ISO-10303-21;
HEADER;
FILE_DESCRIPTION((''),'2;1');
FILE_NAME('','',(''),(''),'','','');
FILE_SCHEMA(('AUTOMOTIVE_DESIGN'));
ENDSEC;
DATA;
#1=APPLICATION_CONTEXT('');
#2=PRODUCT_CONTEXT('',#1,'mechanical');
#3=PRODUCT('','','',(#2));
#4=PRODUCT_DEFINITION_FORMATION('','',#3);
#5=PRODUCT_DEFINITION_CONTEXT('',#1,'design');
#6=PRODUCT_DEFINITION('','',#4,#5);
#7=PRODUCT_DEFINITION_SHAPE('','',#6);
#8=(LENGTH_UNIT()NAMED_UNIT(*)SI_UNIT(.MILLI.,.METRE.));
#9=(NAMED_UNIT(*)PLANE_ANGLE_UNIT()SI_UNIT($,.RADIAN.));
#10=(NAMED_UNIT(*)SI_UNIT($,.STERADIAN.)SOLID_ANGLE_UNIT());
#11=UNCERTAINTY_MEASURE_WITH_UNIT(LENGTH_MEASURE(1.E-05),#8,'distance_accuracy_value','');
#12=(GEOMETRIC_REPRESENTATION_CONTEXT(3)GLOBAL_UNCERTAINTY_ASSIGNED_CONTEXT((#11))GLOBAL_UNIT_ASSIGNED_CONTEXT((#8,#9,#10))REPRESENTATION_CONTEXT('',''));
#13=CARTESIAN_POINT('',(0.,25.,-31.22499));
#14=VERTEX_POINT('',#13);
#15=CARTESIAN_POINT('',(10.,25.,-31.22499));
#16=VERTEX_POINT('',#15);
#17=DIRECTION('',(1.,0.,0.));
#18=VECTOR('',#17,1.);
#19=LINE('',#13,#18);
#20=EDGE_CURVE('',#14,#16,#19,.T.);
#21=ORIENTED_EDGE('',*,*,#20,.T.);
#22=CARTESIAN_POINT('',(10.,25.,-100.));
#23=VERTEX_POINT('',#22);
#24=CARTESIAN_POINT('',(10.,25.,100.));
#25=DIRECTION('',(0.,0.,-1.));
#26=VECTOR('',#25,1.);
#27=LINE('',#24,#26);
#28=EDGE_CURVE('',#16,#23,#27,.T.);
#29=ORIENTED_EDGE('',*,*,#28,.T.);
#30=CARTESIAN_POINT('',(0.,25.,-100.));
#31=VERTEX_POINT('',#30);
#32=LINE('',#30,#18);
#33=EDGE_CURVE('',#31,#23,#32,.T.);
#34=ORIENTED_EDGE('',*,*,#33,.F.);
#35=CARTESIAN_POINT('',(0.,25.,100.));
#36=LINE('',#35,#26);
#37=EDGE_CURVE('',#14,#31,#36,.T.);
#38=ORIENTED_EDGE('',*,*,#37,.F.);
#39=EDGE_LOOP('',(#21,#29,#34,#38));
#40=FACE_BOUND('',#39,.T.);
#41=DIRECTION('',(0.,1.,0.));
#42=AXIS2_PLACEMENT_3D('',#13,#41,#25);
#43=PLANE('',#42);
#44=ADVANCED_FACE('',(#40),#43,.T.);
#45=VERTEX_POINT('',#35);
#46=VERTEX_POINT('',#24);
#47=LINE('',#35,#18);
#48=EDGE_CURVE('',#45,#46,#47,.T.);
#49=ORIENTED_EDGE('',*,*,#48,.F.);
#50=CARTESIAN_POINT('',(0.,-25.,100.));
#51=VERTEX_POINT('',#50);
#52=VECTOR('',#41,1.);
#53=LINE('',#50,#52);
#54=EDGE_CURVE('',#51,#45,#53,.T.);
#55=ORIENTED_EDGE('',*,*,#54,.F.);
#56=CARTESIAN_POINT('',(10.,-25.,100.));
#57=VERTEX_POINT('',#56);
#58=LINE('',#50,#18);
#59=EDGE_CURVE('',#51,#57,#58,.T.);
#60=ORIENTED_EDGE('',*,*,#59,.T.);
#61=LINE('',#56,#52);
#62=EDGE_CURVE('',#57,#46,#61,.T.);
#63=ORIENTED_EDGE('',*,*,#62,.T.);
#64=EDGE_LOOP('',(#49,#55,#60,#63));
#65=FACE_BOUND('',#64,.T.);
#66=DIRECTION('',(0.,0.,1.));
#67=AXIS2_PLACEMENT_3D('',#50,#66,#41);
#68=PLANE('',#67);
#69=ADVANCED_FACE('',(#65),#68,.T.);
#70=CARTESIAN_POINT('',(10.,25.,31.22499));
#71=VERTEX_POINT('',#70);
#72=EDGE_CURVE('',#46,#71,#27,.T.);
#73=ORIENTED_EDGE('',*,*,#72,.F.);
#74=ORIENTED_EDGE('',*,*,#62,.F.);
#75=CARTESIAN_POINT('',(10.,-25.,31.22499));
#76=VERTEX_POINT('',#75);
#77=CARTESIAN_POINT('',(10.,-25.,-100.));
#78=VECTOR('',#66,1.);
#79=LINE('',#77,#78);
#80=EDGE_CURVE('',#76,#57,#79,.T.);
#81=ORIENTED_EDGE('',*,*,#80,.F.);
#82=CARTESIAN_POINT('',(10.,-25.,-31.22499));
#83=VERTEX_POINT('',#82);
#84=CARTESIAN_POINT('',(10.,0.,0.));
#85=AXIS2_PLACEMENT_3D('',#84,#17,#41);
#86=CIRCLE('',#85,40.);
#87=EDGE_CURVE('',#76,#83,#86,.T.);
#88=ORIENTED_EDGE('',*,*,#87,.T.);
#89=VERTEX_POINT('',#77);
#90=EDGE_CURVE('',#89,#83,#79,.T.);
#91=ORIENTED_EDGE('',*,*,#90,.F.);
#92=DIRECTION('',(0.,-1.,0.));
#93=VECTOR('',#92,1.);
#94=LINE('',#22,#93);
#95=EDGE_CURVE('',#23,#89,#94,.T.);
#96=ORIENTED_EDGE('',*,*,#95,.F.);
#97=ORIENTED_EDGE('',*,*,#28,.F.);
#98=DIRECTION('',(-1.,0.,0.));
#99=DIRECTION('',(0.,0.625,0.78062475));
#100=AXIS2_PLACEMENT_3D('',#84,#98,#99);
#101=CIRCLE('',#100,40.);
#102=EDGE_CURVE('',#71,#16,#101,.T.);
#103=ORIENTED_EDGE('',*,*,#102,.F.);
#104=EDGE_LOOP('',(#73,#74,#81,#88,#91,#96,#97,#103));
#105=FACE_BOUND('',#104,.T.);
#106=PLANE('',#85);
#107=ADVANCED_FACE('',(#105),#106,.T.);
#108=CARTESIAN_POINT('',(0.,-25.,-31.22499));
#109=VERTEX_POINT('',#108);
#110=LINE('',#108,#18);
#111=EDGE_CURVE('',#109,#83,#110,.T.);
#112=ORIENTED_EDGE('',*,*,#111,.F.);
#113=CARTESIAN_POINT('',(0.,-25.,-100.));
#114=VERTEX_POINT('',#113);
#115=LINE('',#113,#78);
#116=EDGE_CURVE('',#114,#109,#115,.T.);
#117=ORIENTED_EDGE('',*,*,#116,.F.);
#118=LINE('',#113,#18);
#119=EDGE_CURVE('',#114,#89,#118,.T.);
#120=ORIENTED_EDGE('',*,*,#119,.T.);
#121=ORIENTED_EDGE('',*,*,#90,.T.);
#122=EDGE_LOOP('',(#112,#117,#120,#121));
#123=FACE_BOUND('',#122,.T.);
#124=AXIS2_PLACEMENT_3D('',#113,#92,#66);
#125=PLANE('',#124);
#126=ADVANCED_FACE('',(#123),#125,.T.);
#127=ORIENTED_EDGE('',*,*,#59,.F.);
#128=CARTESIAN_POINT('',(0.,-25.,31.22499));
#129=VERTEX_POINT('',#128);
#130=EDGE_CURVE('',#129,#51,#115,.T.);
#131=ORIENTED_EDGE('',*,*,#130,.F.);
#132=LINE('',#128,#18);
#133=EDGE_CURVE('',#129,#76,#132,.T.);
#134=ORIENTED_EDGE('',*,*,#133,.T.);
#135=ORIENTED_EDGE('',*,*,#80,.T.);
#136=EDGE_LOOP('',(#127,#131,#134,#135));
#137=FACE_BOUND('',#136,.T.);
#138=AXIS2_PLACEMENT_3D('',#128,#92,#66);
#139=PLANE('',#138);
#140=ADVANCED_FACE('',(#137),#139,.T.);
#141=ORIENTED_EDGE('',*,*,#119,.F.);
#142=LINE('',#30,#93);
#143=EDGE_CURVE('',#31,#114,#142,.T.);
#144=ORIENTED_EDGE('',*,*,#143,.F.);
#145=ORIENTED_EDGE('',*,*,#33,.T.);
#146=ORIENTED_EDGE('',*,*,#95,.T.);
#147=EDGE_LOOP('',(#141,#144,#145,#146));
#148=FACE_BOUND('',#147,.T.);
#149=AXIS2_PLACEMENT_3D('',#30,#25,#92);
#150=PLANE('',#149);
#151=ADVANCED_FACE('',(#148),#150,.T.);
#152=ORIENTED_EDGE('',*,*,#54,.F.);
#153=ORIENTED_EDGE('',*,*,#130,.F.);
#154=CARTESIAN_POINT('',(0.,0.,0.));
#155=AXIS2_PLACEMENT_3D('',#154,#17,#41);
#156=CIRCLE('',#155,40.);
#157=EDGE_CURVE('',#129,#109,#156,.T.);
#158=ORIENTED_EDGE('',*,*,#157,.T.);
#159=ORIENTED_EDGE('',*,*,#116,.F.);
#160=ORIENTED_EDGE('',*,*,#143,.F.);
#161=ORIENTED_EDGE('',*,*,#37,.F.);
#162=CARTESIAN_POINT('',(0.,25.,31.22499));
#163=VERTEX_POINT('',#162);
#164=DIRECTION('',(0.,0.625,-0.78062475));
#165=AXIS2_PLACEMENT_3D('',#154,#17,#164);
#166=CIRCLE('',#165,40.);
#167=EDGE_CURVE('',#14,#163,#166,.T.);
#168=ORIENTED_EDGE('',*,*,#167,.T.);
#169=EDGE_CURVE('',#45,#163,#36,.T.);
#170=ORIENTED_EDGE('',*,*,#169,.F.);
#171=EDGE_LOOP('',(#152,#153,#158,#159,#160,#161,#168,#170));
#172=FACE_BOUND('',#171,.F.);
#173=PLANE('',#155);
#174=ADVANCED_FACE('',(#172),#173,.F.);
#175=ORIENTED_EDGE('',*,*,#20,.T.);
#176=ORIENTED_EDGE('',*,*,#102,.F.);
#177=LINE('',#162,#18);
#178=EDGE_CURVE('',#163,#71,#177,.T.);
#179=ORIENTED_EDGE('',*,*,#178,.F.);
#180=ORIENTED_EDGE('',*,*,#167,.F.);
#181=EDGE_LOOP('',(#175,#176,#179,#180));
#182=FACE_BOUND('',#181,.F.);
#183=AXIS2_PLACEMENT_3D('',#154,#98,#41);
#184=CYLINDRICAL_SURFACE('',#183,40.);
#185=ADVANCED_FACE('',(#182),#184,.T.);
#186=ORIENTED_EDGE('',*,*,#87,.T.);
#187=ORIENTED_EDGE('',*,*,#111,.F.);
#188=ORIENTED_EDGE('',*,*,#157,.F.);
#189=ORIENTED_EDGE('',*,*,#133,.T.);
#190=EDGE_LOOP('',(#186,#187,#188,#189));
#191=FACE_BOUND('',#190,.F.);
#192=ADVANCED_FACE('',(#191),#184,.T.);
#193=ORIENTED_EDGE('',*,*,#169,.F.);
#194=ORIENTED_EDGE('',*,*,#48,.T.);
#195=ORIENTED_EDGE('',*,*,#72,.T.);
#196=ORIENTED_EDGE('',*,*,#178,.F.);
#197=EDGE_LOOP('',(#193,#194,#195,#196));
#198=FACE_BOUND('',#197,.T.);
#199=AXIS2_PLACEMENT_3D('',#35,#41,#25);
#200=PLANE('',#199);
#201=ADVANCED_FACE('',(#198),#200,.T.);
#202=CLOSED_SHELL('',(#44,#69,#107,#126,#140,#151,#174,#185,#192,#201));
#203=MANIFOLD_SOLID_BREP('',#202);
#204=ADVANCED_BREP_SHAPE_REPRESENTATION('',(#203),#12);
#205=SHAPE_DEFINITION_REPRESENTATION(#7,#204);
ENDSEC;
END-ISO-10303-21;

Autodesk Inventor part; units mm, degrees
ref_plane "YZ Plane" through (0, 0, 0) normal (1, 0, 0) x (0, 1, 0)
ref_plane "XZ Plane" through (0, 0, 0) normal (0, 1, 0) x (-1, 0, 0)
ref_plane "XY Plane" through (0, 0, 0) normal (0, 0, 1) x (1, 0, 0)
sketch "スケッチ1" plane through (0, 0, 0) normal (1, 0, 0) x (0, 1, 0)
  circle A0 centre (0, 0) radius 40
  line L0 (-25, 100) -> (25, 100)
  line L1 (25, 100) -> (25, -100)
  line L2 (25, -100) -> (-25, -100)
  line L3 (-25, -100) -> (-25, 100)
  line L4 (-25, 100) -> (25, -100) construction
  line L5 (25, 100) -> (-25, -100) construction
  point P0 (25, -31.225)
  point P1 (25, 31.225)
  point P2 (-25, 31.225)
  point P3 (-25, -31.225)
  dimension "d0" = 80
  dimension "d1" = 50
  dimension "d2" = 200
extrude "押し出し1" add sketch "スケッチ1" along normal blind 10
ref_plane "作業平面1" through (0, -25, 0) normal (0, 0, 1) x (1, 0, 0)
properties part number "leg_base_plate"
